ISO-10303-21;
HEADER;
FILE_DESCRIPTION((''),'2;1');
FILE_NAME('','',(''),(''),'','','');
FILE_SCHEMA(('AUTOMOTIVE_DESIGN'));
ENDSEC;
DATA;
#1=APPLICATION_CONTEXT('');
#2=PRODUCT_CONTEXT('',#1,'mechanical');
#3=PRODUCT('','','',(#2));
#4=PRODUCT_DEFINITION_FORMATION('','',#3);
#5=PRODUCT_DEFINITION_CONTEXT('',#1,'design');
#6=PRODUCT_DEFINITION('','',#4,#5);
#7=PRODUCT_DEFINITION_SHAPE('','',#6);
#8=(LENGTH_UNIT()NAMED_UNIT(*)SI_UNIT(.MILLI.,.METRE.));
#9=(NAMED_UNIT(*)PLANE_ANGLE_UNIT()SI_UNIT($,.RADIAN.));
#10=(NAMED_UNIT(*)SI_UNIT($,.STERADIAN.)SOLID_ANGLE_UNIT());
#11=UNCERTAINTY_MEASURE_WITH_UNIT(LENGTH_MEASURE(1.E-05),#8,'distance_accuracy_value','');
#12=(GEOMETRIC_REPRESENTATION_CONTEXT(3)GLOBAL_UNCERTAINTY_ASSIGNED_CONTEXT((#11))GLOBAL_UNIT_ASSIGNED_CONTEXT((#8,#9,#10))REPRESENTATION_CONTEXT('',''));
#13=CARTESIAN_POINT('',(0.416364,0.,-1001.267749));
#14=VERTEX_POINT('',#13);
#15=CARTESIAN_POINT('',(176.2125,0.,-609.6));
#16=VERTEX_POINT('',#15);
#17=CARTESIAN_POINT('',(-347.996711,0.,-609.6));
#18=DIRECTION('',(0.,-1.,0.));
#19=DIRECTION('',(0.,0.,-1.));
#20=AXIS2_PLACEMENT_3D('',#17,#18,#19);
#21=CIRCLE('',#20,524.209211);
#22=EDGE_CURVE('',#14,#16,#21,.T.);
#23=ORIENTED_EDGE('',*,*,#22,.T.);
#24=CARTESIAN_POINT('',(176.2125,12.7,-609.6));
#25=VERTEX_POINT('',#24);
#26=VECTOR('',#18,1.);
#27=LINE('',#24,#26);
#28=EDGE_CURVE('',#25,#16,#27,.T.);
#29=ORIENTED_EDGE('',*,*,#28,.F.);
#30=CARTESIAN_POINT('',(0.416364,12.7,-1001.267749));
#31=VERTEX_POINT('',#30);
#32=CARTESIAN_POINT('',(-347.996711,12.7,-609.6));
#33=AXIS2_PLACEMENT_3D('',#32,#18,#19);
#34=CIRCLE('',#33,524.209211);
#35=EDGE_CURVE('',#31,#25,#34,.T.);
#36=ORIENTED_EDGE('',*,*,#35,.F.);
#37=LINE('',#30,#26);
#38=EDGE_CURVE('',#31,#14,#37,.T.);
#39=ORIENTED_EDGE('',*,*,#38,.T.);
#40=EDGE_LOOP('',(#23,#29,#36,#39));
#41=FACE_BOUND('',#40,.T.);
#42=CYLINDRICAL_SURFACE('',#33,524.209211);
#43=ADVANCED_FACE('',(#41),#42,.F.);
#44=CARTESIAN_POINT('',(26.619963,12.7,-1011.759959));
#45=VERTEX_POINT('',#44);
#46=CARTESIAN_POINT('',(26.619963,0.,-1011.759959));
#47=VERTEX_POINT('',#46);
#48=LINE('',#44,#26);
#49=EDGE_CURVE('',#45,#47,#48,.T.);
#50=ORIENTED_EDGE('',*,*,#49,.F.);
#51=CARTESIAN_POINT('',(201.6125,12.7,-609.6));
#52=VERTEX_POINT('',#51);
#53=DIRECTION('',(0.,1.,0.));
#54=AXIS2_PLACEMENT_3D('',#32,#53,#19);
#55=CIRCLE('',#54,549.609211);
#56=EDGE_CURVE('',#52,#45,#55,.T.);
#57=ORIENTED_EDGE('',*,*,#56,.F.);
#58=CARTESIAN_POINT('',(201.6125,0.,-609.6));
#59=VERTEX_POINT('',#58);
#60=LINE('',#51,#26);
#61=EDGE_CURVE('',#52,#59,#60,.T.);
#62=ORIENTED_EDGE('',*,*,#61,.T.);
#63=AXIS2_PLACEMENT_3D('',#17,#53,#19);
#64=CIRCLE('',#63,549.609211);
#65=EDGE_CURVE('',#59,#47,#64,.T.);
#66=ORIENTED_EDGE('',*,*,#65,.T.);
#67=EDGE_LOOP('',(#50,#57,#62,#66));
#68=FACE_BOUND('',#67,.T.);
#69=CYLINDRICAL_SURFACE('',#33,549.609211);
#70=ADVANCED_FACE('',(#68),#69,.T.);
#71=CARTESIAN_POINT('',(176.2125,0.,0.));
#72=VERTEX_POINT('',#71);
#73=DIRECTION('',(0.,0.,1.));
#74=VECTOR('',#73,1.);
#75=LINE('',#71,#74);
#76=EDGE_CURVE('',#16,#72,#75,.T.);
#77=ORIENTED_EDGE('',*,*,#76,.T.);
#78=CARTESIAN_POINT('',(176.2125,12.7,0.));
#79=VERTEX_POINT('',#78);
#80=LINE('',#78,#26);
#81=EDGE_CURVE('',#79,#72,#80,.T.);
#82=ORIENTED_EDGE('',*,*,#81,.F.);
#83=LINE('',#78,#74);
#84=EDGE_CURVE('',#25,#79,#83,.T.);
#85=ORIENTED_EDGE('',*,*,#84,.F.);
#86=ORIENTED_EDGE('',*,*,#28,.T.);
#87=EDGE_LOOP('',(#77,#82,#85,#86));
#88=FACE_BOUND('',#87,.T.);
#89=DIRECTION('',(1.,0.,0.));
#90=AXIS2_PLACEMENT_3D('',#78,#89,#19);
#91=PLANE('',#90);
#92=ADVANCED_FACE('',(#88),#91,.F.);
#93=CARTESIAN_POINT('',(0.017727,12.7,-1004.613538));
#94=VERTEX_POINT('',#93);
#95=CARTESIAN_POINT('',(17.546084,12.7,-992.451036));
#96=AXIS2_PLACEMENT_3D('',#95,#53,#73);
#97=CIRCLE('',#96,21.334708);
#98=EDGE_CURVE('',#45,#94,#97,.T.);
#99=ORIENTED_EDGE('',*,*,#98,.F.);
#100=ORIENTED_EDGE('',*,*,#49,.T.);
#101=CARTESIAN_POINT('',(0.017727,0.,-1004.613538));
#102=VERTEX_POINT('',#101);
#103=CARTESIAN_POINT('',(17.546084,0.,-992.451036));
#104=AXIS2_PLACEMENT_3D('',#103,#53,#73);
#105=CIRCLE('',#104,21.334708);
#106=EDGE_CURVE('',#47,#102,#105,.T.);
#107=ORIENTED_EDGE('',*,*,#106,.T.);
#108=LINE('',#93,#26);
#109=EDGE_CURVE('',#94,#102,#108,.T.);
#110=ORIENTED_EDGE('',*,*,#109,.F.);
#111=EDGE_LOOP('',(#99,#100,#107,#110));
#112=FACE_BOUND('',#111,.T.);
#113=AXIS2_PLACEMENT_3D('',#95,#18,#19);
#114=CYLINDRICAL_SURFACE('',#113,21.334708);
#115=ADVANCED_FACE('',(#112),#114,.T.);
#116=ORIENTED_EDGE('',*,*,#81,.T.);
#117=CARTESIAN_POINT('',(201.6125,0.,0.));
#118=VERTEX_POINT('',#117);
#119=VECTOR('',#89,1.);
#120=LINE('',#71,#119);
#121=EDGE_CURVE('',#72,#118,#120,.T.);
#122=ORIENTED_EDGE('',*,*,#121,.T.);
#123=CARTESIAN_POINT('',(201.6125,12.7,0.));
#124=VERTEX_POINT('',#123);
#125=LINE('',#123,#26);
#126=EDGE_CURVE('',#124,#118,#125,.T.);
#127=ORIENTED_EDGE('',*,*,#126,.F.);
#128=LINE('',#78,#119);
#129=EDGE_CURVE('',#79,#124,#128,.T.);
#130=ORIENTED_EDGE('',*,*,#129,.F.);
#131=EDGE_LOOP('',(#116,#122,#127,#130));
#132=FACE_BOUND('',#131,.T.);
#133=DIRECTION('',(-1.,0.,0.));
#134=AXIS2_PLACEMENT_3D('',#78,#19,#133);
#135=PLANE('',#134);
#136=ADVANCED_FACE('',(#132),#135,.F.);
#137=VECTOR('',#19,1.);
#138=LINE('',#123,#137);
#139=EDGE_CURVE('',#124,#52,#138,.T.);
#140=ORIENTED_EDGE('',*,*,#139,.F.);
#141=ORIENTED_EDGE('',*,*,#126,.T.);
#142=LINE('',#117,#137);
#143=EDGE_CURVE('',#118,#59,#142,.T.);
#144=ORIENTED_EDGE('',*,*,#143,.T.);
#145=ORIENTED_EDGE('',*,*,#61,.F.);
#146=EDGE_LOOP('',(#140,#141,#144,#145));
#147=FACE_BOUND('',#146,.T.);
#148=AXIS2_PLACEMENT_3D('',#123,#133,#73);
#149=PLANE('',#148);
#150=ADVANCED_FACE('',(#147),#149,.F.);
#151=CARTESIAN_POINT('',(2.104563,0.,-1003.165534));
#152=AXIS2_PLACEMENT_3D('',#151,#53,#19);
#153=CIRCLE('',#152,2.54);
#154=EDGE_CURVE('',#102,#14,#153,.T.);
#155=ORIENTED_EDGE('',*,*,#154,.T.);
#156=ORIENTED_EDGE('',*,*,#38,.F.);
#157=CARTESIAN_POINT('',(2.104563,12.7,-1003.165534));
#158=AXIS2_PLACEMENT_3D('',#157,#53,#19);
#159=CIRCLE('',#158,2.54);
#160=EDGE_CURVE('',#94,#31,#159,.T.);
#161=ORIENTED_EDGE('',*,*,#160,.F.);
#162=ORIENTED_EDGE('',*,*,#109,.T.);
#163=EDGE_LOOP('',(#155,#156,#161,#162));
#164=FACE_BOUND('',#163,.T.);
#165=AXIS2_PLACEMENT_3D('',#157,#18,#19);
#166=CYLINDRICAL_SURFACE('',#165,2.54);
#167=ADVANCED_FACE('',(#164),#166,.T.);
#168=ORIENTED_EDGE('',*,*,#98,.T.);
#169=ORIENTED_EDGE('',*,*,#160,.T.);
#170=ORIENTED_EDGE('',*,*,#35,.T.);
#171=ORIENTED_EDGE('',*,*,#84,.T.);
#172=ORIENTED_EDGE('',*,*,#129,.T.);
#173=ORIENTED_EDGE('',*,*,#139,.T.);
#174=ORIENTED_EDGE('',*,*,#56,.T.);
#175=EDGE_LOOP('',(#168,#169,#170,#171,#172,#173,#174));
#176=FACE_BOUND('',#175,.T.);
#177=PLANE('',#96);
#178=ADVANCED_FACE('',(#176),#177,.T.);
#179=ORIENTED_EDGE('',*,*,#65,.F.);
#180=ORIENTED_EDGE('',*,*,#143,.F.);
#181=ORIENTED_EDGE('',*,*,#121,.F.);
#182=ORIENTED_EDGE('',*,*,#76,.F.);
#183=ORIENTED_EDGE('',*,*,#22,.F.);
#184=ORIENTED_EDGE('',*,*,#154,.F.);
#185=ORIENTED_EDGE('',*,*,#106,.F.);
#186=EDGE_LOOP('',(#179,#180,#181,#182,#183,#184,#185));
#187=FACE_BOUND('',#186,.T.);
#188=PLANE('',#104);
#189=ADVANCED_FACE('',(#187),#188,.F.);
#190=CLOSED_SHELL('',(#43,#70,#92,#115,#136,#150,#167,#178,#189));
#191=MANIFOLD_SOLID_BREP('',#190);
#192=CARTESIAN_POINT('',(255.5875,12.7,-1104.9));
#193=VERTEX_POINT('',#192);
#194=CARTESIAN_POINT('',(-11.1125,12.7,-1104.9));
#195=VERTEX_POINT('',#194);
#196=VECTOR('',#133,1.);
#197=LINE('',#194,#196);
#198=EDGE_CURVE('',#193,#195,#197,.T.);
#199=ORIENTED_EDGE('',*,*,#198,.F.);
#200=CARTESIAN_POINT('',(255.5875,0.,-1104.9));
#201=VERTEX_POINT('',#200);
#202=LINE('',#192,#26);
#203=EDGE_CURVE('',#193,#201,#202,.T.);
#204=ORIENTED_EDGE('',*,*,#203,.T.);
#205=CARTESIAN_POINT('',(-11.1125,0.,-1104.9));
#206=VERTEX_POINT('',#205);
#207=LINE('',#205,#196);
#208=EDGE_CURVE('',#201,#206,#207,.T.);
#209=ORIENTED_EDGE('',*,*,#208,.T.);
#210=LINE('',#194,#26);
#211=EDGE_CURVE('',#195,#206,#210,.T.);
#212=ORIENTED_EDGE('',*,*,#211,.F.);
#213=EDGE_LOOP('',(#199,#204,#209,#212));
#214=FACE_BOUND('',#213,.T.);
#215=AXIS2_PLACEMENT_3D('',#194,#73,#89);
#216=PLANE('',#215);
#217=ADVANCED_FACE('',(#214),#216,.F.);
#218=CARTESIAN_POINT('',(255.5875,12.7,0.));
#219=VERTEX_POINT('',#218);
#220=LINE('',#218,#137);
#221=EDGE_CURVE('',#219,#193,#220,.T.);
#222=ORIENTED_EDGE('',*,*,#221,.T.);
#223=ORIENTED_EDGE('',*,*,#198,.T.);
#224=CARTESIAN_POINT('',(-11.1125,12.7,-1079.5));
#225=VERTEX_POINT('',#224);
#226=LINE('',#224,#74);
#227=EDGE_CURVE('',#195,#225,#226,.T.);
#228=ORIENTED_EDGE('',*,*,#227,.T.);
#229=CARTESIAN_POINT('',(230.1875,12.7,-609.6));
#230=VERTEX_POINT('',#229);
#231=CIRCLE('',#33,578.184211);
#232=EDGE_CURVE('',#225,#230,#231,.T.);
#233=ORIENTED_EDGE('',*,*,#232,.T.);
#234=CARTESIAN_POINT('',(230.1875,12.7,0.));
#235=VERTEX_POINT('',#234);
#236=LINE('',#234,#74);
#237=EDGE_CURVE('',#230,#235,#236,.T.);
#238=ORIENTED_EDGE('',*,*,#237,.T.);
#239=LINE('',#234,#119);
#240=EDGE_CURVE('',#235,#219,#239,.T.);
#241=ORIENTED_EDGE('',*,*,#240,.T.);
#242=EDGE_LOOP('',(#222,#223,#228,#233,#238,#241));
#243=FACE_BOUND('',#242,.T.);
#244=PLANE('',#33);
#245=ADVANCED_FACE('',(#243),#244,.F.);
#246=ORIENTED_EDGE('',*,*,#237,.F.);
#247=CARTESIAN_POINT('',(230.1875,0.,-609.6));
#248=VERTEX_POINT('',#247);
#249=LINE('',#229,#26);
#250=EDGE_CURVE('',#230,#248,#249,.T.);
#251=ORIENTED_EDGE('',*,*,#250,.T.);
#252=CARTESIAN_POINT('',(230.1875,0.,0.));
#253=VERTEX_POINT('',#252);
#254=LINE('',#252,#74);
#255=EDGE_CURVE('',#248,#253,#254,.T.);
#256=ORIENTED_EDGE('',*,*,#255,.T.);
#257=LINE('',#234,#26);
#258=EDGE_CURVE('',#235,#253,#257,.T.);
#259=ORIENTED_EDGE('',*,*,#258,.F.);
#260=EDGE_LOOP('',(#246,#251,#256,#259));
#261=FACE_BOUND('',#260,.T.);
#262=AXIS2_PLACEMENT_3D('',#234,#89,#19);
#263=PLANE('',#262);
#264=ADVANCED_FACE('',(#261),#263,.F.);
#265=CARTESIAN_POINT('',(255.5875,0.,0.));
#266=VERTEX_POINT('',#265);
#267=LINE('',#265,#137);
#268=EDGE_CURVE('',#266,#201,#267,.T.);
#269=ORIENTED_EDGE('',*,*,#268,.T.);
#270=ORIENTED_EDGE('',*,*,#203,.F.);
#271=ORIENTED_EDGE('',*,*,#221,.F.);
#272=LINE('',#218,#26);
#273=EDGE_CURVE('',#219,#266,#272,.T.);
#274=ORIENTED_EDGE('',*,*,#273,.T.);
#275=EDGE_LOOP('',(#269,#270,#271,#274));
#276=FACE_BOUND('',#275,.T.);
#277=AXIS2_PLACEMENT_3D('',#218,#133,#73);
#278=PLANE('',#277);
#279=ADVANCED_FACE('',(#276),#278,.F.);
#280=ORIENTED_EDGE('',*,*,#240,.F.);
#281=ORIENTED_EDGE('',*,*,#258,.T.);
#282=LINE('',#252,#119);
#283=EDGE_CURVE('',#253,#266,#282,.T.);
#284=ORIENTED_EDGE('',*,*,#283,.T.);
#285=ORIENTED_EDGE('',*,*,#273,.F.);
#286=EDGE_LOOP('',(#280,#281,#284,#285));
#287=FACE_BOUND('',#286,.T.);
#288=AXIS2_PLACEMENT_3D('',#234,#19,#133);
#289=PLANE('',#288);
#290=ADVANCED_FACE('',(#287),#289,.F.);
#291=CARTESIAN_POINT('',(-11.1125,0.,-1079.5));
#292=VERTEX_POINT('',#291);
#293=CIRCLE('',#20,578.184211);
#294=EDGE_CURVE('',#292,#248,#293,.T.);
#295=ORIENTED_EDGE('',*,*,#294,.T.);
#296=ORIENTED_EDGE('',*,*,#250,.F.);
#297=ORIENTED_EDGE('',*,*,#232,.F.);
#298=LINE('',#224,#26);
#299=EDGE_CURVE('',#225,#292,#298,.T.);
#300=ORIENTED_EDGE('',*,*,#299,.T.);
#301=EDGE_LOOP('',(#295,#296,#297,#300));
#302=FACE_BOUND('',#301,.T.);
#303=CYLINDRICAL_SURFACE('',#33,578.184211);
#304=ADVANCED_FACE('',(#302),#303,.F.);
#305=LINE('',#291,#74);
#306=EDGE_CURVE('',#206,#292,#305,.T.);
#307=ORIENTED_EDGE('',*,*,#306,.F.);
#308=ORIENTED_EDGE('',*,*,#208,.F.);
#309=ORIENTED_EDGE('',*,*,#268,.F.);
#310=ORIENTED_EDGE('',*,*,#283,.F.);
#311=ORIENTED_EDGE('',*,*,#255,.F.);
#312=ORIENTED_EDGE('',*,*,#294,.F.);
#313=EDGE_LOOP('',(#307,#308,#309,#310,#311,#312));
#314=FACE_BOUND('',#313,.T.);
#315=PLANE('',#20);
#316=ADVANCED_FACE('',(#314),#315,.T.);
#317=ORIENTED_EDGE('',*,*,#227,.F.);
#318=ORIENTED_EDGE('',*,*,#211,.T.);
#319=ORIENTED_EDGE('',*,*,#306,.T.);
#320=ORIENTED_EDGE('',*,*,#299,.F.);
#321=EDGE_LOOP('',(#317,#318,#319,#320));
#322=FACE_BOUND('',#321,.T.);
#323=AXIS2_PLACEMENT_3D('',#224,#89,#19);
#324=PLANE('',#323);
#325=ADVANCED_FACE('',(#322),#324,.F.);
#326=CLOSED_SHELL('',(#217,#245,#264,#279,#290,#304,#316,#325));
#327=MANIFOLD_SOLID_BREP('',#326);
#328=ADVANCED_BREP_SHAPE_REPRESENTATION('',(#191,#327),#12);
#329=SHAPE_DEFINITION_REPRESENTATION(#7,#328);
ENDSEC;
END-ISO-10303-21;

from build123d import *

# Parameters (mm, degrees)
BOSS_EXTRUDE1_DEPTH   = 12.7
BOSS_EXTRUDE1_2_DEPTH = 12.7


with BuildPart() as part:
    # Sketch2 → Boss-Extrude1 (new body)
    with BuildSketch(Plane(origin=(0, 0, 0), x_dir=(1, 0, 0), z_dir=(0, 1, 0))):
        with BuildLine():
            Line((230.1875, 0), (230.1875, 609.6))
            ThreePointArc((230.1875, 609.6), (166.336893569, 873.717256157), (-11.1125, 1079.5))
            Line((-11.1125, 1079.5), (-11.1125, 1104.9))
            Line((-11.1125, 1104.9), (255.5875, 1104.9))
            Line((255.5875, 1104.9), (255.5875, 0))
            Line((255.5875, 0), (230.1875, 0))
        make_face()
    extrude(amount=BOSS_EXTRUDE1_DEPTH)


with BuildPart() as body_2:
    # Sketch2 → Boss-Extrude1 2 (new body)
    with BuildSketch(Plane(origin=(0, 0, 0), x_dir=(1, 0, 0), z_dir=(0, 1, 0))):
        with BuildLine():
            Line((176.2125, 0), (201.6125, 0))
            Line((201.6125, 0), (201.6125, 609.6))
            ThreePointArc((201.6125, 609.6), (155.969091122, 828.891484249), (26.619962964, 1011.759958522))
            ThreePointArc((26.619962964, 1011.759958522), (12.010979758, 1013.05521959), (0.017727249, 1004.613538133))
            ThreePointArc((0.017727249, 1004.613538133), (-0.417598286, 1002.865028377), (0.416364306, 1001.267749102))
            ThreePointArc((0.416364306, 1001.267749102), (130.248330899, 824.255483864), (176.2125, 609.6))
            Line((176.2125, 609.6), (176.2125, 0))
        make_face()
    extrude(amount=BOSS_EXTRUDE1_2_DEPTH)


solid = Compound([part.part, body_2.part])
